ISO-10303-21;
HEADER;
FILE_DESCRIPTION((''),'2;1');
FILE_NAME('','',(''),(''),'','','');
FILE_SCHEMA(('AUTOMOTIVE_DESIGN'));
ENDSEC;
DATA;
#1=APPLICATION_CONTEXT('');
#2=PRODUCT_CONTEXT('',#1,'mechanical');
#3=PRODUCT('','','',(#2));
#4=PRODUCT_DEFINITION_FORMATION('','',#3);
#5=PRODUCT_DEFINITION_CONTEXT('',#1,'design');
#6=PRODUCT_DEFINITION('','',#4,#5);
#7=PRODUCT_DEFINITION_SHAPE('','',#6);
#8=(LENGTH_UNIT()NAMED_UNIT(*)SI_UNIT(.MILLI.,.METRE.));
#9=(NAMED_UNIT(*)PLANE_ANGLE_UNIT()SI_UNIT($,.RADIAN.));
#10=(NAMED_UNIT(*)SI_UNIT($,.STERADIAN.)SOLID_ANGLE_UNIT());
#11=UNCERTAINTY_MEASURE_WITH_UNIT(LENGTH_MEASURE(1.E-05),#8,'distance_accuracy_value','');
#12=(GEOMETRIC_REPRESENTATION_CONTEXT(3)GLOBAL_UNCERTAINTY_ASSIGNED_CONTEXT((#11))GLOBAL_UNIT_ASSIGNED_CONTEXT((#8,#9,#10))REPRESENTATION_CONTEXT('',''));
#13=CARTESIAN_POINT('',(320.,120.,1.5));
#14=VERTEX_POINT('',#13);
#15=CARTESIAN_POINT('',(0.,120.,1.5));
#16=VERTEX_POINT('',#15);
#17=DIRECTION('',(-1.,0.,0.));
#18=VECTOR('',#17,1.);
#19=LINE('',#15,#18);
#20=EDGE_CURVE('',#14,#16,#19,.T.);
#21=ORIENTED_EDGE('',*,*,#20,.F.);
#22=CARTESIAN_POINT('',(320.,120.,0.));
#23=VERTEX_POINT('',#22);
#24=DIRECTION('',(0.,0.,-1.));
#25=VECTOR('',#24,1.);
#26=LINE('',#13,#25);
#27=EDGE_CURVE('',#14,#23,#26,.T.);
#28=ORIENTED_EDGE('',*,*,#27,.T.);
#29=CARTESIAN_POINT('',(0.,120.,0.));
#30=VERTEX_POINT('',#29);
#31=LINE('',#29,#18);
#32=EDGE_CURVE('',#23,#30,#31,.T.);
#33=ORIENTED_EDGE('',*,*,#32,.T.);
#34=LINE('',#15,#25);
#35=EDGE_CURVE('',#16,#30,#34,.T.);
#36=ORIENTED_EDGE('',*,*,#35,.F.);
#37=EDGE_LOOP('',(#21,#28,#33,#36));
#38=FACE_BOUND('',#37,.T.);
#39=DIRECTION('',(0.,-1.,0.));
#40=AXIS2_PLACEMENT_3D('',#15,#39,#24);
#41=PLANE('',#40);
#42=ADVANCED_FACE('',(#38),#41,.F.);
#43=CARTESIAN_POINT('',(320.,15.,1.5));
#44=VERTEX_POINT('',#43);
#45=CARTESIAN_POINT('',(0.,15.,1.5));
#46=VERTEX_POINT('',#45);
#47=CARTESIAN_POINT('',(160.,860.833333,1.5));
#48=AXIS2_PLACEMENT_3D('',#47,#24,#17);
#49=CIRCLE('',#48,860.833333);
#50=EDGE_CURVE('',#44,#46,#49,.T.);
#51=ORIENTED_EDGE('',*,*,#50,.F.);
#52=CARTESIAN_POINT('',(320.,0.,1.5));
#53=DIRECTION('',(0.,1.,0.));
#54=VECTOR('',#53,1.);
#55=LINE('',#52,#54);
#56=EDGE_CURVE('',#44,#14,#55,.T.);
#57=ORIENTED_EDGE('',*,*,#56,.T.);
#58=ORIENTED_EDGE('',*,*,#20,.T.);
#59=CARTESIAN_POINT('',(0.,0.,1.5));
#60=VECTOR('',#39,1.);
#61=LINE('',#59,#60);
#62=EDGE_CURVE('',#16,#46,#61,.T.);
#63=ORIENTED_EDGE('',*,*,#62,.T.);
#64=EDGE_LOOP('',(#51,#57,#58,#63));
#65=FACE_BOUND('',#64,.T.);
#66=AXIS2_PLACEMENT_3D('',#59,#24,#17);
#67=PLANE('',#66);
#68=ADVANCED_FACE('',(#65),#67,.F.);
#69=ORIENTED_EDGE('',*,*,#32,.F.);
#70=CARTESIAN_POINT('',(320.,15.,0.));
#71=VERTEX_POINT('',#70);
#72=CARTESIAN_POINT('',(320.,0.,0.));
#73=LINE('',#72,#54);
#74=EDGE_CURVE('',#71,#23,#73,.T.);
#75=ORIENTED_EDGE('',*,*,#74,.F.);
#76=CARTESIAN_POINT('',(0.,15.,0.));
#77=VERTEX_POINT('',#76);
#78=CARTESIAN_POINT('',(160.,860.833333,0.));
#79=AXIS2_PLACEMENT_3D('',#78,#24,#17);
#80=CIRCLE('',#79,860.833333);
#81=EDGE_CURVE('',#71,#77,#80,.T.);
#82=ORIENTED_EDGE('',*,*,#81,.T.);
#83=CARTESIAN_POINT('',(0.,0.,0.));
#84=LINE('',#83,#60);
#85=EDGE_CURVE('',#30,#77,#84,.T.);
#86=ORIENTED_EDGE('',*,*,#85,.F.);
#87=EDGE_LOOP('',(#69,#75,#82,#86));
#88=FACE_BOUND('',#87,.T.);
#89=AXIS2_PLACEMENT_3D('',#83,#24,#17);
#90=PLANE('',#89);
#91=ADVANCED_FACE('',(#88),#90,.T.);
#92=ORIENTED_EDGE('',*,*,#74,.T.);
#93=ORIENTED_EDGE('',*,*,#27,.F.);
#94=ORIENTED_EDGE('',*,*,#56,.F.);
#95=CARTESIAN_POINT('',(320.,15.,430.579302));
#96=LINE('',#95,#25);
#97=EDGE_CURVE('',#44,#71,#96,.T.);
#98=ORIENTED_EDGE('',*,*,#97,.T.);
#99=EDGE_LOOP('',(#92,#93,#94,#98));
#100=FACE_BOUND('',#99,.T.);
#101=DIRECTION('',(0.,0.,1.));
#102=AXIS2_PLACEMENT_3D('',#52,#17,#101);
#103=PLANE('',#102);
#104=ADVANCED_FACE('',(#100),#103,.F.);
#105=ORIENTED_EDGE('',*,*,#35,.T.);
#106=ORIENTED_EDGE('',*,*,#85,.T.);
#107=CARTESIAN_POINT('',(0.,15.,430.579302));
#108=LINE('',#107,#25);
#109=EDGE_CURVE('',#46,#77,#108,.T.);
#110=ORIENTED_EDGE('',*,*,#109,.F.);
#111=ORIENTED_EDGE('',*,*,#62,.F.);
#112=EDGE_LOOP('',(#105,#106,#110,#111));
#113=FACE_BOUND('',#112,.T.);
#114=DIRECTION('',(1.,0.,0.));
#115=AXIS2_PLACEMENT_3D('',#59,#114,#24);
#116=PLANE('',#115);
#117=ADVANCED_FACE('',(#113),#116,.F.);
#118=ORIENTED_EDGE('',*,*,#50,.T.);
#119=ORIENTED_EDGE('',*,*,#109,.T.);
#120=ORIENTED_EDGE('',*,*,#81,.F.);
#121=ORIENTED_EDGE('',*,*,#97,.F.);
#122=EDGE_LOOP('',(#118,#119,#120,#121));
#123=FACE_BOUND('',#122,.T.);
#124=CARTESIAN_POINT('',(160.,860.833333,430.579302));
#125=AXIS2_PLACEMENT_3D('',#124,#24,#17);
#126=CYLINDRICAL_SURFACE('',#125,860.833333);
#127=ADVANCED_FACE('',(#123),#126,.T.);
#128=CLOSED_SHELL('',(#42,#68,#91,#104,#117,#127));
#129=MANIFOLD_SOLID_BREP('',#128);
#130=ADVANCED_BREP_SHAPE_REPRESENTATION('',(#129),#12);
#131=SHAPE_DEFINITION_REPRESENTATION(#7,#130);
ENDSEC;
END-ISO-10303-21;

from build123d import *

# Parameters (mm, degrees)
ESQUISSE1_W                  = 320
ESQUISSE1_H                  = 120
BOSS_EXTRU_1_DEPTH           = 1.5
ENL_V_MAT_EXTRU_1_DEPTH      = 342.763441579
ENL_V_MAT_EXTRU_1_DEPTH_BACK = 1.5


with BuildPart() as part:
    # Esquisse1 → Boss.-Extru.1 (new body)
    with BuildSketch(Plane.XY):
        with Locations((160, 60)):
            Rectangle(ESQUISSE1_W, ESQUISSE1_H)
    extrude(amount=BOSS_EXTRU_1_DEPTH)

    # Esquisse2 → Enlèv. mat.-Extru.1 (cut, two sides: drawn at the far end of the back side and taken through both)
    with BuildSketch(Plane.XY.offset(1.5).offset(-ENL_V_MAT_EXTRU_1_DEPTH_BACK)):
        with BuildLine():
            Line((-671.661329364, 142.053177574), (0, 15))
            ThreePointArc((0, 15), (160, 0), (320, 15))
            Line((320, 15), (991.661329364, 142.053177574))
            Line((991.661329364, 142.053177574), (991.661329364, -1225.09195195))
            Line((991.661329364, -1225.09195195), (-671.661329364, -1225.09195195))
            Line((-671.661329364, -1225.09195195), (-671.661329364, 142.053177574))
        make_face()
    extrude(amount=ENL_V_MAT_EXTRU_1_DEPTH + ENL_V_MAT_EXTRU_1_DEPTH_BACK, mode=Mode.SUBTRACT)


solid = part.part
